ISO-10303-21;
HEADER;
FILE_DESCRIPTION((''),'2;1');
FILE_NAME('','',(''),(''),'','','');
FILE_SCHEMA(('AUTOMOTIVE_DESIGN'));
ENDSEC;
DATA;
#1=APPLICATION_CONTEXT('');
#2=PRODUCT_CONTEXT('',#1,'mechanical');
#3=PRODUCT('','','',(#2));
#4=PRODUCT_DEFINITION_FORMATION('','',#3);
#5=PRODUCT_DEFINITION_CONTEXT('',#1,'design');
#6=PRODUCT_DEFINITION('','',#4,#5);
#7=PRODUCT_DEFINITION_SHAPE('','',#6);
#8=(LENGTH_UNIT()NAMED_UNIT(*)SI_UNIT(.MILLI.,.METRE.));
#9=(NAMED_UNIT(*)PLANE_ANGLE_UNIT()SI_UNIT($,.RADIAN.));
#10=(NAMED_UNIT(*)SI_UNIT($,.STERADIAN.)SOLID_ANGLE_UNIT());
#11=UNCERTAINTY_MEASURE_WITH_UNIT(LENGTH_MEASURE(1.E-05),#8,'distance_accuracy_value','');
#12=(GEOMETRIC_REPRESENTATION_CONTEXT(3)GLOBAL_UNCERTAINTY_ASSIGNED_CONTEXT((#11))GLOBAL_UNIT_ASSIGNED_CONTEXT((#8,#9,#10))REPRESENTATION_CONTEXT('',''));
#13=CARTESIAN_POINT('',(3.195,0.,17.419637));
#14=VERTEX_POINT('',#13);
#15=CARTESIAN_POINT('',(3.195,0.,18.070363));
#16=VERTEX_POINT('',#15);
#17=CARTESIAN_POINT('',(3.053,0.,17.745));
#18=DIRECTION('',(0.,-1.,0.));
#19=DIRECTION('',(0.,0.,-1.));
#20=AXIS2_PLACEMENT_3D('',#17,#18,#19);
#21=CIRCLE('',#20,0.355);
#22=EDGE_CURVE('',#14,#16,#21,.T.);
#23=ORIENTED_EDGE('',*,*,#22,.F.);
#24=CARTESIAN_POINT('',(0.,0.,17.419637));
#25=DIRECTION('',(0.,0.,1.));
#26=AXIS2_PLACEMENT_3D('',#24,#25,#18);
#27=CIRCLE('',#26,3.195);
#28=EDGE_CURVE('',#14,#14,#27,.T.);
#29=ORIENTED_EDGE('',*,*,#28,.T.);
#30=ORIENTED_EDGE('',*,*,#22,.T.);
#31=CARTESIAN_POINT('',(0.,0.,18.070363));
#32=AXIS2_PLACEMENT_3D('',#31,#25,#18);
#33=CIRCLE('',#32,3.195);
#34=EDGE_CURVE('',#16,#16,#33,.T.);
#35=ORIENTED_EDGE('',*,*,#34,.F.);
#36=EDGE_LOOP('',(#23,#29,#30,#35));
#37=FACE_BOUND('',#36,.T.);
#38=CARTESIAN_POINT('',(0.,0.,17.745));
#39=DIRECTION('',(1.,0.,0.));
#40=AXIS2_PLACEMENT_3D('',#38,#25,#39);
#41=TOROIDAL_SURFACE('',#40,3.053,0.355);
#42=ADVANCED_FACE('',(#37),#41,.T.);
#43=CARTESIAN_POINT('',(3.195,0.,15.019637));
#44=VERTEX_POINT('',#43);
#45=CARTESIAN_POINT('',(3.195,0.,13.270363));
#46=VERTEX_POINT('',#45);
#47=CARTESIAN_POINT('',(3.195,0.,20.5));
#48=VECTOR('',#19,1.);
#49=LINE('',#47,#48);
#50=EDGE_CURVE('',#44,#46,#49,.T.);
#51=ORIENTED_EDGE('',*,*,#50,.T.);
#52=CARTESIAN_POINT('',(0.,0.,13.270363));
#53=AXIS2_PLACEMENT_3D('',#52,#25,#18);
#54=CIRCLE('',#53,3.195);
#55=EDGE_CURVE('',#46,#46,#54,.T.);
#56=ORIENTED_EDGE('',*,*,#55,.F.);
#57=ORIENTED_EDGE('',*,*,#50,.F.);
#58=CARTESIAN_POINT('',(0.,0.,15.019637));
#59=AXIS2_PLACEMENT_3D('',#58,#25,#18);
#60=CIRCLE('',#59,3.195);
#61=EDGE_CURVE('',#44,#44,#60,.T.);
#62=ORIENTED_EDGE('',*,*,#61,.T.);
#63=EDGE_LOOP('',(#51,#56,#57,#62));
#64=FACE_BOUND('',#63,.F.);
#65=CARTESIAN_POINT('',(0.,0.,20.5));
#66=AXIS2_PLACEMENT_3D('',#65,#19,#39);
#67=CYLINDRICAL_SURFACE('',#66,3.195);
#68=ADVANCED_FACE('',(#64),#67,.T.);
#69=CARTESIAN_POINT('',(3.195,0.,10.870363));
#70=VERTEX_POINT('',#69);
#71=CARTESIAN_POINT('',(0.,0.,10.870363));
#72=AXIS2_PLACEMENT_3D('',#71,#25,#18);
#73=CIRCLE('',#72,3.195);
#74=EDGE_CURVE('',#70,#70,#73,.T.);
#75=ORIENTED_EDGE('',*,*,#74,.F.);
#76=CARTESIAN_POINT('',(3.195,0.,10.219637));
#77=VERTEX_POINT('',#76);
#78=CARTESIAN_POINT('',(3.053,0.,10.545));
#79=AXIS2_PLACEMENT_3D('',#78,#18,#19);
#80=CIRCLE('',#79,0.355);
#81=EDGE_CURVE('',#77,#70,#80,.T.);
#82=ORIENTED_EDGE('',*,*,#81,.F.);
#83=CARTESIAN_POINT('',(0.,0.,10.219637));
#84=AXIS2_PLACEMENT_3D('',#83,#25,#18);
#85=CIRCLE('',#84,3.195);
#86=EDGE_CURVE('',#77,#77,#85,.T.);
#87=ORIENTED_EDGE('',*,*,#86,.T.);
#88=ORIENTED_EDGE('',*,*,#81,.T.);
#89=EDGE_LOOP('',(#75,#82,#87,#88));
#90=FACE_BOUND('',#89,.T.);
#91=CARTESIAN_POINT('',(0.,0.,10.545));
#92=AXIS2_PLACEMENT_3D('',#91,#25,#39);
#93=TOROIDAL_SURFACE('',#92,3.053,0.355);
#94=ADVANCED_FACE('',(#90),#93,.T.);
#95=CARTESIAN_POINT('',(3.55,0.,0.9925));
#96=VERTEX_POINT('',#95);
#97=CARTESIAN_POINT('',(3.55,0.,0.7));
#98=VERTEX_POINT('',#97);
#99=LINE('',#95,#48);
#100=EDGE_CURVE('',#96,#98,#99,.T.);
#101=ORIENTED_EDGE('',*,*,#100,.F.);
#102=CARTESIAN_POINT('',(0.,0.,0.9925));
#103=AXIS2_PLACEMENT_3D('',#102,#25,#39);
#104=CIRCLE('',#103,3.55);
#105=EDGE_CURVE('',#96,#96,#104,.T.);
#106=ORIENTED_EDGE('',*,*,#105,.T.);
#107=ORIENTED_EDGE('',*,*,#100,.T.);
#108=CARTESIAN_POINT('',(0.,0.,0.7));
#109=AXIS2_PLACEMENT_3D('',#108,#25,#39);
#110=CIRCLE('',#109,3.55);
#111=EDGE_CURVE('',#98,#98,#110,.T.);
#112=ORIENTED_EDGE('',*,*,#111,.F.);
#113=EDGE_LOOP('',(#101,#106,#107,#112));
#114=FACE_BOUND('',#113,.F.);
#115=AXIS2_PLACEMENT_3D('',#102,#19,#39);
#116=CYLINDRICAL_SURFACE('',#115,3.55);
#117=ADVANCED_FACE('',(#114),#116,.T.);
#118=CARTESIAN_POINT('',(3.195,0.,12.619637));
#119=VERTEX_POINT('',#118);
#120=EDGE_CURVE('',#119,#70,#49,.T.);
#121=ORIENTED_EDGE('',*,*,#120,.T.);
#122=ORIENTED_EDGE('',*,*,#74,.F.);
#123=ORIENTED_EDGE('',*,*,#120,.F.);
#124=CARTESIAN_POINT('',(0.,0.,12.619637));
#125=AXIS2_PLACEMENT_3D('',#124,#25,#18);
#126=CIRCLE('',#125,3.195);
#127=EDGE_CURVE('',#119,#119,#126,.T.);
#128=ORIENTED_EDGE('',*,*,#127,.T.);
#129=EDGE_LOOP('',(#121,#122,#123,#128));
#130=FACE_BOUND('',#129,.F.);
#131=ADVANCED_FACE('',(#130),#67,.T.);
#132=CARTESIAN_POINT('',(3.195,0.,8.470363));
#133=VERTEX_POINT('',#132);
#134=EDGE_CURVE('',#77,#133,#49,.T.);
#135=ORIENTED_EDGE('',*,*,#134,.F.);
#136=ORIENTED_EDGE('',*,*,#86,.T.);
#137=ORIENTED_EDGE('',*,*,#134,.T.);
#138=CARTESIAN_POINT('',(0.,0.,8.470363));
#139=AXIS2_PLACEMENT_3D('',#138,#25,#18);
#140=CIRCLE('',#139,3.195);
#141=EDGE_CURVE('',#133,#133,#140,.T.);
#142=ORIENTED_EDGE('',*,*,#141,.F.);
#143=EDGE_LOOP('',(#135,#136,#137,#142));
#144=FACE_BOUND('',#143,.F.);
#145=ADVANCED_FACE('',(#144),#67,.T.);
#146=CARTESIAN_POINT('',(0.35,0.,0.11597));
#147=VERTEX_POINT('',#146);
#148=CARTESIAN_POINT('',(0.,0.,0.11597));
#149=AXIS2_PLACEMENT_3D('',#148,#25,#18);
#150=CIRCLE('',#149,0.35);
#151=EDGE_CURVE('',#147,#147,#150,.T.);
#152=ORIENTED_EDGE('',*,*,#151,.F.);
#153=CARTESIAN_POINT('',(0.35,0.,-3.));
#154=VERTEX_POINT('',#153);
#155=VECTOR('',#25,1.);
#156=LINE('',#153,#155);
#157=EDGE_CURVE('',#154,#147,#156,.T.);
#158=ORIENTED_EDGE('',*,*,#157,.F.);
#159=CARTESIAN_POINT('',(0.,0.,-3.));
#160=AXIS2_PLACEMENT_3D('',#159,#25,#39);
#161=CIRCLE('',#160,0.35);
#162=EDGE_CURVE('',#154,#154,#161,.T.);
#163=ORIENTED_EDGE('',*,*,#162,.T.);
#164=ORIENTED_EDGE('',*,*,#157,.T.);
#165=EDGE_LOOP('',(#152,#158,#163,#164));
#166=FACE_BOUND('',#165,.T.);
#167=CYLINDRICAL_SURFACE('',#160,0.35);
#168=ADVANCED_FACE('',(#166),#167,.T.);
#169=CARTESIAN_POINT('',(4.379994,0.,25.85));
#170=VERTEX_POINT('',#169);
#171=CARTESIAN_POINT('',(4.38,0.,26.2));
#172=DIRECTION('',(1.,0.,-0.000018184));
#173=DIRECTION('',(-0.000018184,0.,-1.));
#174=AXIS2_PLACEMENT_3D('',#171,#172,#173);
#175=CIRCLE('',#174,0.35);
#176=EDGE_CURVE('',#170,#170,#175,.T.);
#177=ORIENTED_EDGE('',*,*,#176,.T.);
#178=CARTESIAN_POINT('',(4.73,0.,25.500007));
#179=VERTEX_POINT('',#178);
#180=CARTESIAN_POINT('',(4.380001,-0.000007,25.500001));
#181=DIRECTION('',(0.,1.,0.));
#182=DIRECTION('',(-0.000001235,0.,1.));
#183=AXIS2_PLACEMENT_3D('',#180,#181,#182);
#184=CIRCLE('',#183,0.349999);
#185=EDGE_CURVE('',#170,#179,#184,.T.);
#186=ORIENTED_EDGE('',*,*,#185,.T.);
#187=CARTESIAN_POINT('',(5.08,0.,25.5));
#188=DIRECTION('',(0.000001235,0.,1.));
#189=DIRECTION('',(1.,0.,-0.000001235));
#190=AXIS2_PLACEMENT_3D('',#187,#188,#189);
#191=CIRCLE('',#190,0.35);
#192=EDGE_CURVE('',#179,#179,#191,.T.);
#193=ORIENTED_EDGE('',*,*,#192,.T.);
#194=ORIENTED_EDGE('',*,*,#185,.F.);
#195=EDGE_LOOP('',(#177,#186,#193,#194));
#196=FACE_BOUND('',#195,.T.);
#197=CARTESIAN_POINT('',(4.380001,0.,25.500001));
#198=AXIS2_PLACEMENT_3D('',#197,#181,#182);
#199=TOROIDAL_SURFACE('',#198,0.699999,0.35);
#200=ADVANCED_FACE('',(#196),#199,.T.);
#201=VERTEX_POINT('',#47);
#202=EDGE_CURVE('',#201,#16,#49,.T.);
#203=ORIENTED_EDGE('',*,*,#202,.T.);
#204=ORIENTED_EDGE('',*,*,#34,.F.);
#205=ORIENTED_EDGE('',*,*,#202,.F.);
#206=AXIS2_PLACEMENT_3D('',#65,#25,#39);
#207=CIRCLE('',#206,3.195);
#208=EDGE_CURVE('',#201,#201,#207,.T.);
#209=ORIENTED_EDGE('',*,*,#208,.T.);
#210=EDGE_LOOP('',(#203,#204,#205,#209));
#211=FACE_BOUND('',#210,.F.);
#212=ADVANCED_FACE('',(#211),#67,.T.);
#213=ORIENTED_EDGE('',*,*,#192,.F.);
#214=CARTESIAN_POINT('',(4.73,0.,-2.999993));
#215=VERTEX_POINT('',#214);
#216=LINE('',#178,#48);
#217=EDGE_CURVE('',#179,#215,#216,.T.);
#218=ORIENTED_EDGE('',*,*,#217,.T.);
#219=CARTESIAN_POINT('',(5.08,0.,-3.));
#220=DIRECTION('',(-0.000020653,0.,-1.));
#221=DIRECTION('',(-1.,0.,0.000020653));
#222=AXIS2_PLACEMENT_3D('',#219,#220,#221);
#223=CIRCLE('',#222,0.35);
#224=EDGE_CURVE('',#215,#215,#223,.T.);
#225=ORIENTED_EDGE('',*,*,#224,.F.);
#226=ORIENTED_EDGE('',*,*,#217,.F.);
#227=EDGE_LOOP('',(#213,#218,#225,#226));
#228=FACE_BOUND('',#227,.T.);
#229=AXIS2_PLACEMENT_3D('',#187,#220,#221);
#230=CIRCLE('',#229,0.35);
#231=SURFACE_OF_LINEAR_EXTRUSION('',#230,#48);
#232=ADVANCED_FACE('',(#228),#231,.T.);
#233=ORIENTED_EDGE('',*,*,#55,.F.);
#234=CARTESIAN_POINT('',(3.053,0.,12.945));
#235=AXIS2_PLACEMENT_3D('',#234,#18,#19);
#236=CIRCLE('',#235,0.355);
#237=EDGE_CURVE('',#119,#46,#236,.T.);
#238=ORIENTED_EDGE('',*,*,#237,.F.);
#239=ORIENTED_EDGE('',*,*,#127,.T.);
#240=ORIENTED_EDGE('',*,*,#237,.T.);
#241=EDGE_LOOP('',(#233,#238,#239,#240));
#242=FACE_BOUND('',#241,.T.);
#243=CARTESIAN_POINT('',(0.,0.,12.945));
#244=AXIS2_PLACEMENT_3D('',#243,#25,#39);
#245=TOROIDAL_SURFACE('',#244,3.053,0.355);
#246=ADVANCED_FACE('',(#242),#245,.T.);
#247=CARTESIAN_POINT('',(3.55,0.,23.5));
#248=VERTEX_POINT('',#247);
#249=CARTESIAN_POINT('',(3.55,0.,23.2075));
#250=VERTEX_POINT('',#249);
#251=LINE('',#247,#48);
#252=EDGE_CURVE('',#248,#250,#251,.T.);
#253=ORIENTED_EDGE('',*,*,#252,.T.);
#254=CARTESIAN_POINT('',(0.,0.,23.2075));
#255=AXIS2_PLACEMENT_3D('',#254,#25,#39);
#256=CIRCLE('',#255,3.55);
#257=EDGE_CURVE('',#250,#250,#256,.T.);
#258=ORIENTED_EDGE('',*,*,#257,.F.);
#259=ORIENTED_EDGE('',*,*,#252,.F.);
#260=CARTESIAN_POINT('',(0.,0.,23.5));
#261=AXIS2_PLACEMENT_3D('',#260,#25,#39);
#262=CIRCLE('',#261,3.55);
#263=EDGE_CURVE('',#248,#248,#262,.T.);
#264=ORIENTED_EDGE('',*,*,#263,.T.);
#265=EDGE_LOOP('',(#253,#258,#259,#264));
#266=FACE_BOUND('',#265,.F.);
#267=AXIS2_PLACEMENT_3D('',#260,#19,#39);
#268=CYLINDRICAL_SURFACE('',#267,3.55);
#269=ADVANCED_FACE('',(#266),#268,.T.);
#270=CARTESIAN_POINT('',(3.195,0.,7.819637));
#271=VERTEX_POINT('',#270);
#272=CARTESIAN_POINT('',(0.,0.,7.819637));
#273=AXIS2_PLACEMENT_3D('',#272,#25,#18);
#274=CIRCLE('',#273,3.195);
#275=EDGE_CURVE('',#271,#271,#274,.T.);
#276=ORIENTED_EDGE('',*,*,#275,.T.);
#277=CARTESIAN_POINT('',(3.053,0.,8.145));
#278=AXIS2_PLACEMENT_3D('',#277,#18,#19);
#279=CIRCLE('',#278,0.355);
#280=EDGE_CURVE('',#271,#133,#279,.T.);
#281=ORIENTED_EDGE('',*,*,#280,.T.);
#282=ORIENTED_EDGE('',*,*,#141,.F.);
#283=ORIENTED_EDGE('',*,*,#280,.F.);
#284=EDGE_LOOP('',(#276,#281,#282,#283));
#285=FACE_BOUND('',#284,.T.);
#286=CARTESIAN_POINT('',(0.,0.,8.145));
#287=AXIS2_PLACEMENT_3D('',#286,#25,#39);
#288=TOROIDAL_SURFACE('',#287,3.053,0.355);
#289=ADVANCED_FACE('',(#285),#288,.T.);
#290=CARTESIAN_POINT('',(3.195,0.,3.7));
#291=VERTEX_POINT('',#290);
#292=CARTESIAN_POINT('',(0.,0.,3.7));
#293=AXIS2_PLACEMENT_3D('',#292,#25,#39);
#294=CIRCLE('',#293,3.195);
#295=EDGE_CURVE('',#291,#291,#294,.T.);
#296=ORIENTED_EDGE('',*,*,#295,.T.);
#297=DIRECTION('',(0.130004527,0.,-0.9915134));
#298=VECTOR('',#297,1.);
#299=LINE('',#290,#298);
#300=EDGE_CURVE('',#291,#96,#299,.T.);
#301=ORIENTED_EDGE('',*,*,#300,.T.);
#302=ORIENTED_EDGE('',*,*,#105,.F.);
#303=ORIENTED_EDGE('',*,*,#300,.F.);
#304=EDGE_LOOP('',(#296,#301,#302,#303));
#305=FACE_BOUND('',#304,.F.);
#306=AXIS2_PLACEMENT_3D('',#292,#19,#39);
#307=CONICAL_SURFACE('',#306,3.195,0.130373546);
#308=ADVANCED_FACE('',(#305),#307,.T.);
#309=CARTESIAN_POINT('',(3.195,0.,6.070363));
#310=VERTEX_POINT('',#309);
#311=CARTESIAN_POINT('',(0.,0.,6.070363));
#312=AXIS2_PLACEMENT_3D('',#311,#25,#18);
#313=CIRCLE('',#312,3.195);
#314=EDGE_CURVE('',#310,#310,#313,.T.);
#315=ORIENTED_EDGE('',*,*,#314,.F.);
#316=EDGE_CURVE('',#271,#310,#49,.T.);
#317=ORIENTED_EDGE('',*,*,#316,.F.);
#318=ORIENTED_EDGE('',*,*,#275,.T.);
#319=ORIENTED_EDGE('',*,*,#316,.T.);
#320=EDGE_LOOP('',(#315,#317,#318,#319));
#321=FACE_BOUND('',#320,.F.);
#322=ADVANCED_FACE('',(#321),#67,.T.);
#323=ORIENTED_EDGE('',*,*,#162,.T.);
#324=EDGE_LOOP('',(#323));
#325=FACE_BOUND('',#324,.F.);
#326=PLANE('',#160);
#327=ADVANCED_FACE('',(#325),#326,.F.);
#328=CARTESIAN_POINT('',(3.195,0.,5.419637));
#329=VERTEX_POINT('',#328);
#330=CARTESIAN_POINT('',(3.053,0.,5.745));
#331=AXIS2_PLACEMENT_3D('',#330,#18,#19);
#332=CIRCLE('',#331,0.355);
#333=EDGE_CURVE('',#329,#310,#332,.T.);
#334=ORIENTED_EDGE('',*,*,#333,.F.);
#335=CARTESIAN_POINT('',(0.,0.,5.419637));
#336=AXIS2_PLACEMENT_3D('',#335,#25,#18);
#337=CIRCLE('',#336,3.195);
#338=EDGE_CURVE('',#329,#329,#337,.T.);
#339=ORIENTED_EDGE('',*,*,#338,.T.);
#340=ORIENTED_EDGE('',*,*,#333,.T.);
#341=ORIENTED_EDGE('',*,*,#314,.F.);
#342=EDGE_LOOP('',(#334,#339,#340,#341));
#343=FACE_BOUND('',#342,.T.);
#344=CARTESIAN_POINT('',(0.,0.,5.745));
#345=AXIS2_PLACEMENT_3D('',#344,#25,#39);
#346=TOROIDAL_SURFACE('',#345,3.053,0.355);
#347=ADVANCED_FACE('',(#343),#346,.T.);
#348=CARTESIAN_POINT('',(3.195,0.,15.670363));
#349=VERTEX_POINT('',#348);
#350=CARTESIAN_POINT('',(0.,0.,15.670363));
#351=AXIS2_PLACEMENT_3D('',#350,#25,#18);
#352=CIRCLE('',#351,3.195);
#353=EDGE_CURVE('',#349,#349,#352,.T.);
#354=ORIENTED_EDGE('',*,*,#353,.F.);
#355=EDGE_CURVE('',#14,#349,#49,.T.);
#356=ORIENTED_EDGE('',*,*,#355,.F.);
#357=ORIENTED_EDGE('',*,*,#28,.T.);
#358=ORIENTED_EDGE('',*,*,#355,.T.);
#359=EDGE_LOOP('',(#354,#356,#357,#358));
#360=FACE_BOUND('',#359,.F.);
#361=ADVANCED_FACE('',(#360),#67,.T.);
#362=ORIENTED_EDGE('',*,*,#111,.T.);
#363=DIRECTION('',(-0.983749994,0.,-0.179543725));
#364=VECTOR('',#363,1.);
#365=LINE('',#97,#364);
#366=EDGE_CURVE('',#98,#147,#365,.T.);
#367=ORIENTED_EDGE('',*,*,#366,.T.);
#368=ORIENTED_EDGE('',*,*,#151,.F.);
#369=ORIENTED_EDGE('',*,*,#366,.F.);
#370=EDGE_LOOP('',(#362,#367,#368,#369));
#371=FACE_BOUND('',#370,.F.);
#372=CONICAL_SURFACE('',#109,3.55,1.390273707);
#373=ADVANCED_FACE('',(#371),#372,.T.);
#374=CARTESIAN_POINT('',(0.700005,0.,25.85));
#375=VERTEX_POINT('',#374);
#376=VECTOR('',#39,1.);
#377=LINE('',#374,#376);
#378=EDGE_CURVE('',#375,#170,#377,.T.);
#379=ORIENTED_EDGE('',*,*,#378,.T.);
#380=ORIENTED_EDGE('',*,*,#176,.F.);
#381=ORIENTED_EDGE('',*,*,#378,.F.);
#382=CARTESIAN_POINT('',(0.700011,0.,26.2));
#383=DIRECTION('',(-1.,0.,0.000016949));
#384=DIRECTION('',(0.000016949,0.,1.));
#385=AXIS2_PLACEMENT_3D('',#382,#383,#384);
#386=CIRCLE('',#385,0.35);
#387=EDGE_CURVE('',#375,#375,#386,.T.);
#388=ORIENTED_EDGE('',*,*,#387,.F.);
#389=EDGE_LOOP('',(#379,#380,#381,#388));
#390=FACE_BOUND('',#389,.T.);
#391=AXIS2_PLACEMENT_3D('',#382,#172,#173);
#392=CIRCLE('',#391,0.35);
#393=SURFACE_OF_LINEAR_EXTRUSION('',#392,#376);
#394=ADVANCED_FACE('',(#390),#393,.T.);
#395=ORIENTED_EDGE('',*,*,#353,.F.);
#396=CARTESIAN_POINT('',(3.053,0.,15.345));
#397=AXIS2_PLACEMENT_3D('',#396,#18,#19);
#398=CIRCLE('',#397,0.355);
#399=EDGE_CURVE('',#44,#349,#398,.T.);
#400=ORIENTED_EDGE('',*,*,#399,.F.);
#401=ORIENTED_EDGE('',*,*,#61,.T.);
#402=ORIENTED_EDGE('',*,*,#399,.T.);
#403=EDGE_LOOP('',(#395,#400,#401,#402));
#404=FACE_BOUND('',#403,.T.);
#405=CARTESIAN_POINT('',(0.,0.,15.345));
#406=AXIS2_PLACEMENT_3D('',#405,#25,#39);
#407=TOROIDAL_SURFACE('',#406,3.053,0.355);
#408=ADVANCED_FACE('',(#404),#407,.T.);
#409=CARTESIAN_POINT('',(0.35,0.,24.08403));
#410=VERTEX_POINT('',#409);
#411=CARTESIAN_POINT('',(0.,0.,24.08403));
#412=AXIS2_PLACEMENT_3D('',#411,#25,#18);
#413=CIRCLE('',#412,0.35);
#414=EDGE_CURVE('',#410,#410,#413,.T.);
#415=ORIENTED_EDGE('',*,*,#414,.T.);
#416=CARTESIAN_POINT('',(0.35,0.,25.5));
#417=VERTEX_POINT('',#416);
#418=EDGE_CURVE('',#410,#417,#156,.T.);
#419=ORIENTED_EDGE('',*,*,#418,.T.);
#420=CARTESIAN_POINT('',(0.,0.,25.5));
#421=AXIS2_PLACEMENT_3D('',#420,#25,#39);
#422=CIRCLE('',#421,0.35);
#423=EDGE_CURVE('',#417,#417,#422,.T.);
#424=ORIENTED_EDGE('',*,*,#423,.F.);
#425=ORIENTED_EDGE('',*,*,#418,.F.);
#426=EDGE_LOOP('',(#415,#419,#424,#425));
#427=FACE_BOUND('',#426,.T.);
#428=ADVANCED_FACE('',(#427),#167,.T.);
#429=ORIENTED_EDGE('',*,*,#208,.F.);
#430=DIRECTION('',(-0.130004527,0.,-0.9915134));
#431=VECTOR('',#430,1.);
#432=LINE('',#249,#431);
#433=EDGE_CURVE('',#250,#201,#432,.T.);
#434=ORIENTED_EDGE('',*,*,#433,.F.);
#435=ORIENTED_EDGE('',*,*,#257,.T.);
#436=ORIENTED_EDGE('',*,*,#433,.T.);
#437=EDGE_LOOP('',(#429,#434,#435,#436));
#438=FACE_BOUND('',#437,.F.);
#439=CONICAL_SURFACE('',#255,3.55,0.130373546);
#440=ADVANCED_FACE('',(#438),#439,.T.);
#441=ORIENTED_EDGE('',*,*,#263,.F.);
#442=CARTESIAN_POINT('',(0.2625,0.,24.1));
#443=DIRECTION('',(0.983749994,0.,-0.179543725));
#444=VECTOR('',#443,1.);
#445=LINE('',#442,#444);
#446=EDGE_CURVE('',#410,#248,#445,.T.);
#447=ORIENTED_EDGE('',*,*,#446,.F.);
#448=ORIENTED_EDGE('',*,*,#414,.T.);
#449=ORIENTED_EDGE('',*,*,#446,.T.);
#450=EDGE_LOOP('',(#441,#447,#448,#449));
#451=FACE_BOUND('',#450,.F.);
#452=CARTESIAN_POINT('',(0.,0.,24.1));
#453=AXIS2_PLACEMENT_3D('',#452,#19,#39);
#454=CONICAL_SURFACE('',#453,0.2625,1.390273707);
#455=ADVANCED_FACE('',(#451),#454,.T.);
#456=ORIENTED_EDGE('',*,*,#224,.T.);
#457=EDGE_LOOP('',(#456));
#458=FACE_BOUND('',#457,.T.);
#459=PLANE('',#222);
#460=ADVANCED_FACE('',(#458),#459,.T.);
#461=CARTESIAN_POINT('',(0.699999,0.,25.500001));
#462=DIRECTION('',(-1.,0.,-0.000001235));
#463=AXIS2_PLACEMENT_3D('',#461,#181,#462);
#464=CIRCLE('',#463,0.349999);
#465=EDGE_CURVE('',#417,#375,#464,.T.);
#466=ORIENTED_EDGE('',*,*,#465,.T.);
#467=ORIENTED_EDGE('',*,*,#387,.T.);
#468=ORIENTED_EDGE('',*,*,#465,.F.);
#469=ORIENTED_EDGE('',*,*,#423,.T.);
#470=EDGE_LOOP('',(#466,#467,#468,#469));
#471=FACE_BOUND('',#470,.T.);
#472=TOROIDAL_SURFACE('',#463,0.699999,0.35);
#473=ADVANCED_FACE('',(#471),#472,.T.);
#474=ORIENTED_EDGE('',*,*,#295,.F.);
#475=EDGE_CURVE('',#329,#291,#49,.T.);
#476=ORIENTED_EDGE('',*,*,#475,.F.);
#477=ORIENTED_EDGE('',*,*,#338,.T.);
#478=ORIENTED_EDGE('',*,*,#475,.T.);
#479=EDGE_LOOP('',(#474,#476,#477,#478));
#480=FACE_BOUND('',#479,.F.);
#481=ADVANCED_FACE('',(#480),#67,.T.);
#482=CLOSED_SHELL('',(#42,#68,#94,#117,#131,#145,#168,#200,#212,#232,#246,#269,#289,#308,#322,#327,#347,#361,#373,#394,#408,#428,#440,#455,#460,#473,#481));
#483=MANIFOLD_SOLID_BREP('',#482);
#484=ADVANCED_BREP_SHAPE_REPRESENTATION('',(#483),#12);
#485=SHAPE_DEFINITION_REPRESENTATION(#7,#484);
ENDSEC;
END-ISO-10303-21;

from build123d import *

# Parameters (mm, degrees)
SKETCH_R = 0.35


with BuildPart() as revolution:
    # Sketch002 → Revolution (revolve)
    with BuildSketch(Plane.XZ):
        Polygon((0, 0.1), (0, 24.1), (0.2625, 24.1), (3.55, 23.5), (3.55, 23.2075), (3.195, 20.5), (3.195, 3.7), (3.55, 0.9925), (3.55, 0.7), (0.2625, 0.1), align=None)
    revolve(axis=Axis((0, 0, 0), (0, 0, 1)))


with BuildPart() as sweep_body:
    # Sweep: sweep along a path in Sketch001
    with BuildLine(Plane.XZ) as sweep_path:
        Line((0, -3), (0, 25.5))
        ThreePointArc((0, 25.5), (0.205029, 25.994979), (0.700011, 26.2))
        Line((0.700011, 26.2), (4.38, 26.2))
        ThreePointArc((4.38, 26.2), (4.874975, 25.994975), (5.08, 25.5))
        Line((5.08, 25.5), (5.08, -3))
    # Sketch → Sweep (sweep)
    with BuildSketch(Plane.XY.offset(-2)):
        Circle(SKETCH_R)
    sweep(path=sweep_path.line)


with BuildPart() as revolution001_mp_cp:
    # Sketch003 → Revolution001 (revolve)
    with BuildSketch(Plane.XZ):
        with BuildLine():
            Line((2.84, 19.79), (2.84, 3.7))
            Line((2.84, 3.7), (3.053, 3.7))
            Line((3.053, 3.7), (3.053, 5.39))
            ThreePointArc((3.053, 5.39), (3.408, 5.745), (3.053, 6.1))
            Line((3.053, 6.1), (3.053, 7.79))
            ThreePointArc((3.053, 7.79), (3.408, 8.145), (3.053, 8.5))
            Line((3.053, 8.5), (3.053, 10.19))
            ThreePointArc((3.053, 10.19), (3.408, 10.545), (3.053, 10.9))
            Line((3.053, 10.9), (3.053, 12.59))
            ThreePointArc((3.053, 12.59), (3.408, 12.945), (3.053, 13.3))
            Line((3.053, 13.3), (3.053, 14.99))
            ThreePointArc((3.053, 14.99), (3.408, 15.345), (3.053, 15.7))
            Line((3.053, 15.7), (3.053, 17.39))
            ThreePointArc((3.053, 17.39), (3.408, 17.745), (3.053, 18.1))
            Line((3.053, 19.79), (3.053, 18.1))
            Line((2.84, 19.79), (3.053, 19.79))
        make_face()
    revolve(axis=Axis((0, 0, 0), (0, 0, 1)))

    # Revolution001_mp_cp: union Revolution, Sweep body
    add(revolution.part)
    add(sweep_body.part)


solid = revolution001_mp_cp.part
